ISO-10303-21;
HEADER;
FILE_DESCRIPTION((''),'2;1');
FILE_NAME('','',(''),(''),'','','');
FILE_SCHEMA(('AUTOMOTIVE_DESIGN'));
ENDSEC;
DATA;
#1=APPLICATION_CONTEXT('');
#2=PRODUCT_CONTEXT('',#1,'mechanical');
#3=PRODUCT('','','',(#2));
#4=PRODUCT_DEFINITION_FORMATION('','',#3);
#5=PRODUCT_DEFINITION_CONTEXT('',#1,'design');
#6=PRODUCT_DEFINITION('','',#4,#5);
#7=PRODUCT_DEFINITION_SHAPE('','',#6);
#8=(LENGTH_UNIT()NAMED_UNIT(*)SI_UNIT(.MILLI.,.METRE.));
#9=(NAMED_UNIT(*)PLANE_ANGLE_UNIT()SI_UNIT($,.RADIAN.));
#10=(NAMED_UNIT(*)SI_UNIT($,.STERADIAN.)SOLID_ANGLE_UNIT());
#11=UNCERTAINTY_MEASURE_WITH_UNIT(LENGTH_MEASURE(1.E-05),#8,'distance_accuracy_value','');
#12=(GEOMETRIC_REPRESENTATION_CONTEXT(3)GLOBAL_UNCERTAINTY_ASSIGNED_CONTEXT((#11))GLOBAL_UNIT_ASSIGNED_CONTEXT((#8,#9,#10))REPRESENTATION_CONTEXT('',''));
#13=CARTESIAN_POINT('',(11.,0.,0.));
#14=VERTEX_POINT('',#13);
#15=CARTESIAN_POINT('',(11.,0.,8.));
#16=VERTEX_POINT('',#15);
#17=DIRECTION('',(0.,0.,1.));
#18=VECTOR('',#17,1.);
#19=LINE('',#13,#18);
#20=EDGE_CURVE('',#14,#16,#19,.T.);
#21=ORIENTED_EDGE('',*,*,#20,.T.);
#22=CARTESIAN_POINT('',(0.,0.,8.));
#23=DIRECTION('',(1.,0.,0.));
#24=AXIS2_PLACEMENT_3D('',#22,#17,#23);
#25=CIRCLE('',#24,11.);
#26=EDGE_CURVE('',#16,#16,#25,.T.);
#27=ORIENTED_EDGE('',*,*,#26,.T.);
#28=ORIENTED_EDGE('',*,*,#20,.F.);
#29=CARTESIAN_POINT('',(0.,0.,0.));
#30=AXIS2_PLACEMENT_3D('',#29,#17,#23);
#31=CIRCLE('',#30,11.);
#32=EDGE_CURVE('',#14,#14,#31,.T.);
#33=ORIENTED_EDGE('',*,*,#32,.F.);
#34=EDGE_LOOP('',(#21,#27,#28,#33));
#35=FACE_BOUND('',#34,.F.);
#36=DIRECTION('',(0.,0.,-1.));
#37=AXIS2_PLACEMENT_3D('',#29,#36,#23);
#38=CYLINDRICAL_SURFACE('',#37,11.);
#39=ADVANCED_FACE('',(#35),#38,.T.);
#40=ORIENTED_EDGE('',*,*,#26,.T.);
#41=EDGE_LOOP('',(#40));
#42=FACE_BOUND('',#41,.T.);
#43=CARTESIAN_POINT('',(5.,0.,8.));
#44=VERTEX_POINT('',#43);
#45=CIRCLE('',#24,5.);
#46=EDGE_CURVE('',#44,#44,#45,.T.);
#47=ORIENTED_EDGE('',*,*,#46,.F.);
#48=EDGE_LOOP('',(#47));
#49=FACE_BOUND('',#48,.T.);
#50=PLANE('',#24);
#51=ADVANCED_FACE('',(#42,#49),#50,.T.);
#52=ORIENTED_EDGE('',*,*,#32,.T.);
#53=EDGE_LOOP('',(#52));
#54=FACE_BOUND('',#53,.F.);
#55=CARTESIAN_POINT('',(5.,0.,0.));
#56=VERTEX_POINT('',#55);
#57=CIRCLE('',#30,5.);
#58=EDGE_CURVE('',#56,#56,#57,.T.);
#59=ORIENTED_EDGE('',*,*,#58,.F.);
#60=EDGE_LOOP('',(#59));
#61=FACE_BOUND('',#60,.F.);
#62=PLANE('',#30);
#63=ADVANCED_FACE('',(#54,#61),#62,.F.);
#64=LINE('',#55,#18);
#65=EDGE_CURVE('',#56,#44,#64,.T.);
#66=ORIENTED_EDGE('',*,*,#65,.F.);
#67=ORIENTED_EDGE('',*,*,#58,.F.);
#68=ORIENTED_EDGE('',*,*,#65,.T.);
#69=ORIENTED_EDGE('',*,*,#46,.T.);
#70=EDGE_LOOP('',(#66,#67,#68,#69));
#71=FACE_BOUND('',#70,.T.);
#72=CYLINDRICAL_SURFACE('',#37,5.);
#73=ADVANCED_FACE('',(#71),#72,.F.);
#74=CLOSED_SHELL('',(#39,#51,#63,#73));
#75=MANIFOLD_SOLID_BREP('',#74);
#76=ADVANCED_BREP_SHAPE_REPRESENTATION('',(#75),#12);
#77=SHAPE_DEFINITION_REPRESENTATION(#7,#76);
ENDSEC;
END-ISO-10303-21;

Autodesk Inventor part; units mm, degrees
ref_plane "YZ Plane" through (0, 0, 0) normal (1, 0, 0) x (0, 1, 0)
ref_plane "XZ Plane" through (0, 0, 0) normal (0, 1, 0) x (-1, 0, 0)
ref_plane "XY Plane" through (0, 0, 0) normal (0, 0, 1) x (1, 0, 0)
sketch "スケッチ1" plane through (0, 0, 0) normal (0, 0, 1) x (1, 0, 0)
  circle A0 centre (0, 0) radius 5
  circle A1 centre (0, 0) radius 11
  dimension "d0" = 10
  dimension "d1" = 22
extrude "押し出し1" add sketch "スケッチ1" along normal blind 8
properties part number "set_bear_10"
